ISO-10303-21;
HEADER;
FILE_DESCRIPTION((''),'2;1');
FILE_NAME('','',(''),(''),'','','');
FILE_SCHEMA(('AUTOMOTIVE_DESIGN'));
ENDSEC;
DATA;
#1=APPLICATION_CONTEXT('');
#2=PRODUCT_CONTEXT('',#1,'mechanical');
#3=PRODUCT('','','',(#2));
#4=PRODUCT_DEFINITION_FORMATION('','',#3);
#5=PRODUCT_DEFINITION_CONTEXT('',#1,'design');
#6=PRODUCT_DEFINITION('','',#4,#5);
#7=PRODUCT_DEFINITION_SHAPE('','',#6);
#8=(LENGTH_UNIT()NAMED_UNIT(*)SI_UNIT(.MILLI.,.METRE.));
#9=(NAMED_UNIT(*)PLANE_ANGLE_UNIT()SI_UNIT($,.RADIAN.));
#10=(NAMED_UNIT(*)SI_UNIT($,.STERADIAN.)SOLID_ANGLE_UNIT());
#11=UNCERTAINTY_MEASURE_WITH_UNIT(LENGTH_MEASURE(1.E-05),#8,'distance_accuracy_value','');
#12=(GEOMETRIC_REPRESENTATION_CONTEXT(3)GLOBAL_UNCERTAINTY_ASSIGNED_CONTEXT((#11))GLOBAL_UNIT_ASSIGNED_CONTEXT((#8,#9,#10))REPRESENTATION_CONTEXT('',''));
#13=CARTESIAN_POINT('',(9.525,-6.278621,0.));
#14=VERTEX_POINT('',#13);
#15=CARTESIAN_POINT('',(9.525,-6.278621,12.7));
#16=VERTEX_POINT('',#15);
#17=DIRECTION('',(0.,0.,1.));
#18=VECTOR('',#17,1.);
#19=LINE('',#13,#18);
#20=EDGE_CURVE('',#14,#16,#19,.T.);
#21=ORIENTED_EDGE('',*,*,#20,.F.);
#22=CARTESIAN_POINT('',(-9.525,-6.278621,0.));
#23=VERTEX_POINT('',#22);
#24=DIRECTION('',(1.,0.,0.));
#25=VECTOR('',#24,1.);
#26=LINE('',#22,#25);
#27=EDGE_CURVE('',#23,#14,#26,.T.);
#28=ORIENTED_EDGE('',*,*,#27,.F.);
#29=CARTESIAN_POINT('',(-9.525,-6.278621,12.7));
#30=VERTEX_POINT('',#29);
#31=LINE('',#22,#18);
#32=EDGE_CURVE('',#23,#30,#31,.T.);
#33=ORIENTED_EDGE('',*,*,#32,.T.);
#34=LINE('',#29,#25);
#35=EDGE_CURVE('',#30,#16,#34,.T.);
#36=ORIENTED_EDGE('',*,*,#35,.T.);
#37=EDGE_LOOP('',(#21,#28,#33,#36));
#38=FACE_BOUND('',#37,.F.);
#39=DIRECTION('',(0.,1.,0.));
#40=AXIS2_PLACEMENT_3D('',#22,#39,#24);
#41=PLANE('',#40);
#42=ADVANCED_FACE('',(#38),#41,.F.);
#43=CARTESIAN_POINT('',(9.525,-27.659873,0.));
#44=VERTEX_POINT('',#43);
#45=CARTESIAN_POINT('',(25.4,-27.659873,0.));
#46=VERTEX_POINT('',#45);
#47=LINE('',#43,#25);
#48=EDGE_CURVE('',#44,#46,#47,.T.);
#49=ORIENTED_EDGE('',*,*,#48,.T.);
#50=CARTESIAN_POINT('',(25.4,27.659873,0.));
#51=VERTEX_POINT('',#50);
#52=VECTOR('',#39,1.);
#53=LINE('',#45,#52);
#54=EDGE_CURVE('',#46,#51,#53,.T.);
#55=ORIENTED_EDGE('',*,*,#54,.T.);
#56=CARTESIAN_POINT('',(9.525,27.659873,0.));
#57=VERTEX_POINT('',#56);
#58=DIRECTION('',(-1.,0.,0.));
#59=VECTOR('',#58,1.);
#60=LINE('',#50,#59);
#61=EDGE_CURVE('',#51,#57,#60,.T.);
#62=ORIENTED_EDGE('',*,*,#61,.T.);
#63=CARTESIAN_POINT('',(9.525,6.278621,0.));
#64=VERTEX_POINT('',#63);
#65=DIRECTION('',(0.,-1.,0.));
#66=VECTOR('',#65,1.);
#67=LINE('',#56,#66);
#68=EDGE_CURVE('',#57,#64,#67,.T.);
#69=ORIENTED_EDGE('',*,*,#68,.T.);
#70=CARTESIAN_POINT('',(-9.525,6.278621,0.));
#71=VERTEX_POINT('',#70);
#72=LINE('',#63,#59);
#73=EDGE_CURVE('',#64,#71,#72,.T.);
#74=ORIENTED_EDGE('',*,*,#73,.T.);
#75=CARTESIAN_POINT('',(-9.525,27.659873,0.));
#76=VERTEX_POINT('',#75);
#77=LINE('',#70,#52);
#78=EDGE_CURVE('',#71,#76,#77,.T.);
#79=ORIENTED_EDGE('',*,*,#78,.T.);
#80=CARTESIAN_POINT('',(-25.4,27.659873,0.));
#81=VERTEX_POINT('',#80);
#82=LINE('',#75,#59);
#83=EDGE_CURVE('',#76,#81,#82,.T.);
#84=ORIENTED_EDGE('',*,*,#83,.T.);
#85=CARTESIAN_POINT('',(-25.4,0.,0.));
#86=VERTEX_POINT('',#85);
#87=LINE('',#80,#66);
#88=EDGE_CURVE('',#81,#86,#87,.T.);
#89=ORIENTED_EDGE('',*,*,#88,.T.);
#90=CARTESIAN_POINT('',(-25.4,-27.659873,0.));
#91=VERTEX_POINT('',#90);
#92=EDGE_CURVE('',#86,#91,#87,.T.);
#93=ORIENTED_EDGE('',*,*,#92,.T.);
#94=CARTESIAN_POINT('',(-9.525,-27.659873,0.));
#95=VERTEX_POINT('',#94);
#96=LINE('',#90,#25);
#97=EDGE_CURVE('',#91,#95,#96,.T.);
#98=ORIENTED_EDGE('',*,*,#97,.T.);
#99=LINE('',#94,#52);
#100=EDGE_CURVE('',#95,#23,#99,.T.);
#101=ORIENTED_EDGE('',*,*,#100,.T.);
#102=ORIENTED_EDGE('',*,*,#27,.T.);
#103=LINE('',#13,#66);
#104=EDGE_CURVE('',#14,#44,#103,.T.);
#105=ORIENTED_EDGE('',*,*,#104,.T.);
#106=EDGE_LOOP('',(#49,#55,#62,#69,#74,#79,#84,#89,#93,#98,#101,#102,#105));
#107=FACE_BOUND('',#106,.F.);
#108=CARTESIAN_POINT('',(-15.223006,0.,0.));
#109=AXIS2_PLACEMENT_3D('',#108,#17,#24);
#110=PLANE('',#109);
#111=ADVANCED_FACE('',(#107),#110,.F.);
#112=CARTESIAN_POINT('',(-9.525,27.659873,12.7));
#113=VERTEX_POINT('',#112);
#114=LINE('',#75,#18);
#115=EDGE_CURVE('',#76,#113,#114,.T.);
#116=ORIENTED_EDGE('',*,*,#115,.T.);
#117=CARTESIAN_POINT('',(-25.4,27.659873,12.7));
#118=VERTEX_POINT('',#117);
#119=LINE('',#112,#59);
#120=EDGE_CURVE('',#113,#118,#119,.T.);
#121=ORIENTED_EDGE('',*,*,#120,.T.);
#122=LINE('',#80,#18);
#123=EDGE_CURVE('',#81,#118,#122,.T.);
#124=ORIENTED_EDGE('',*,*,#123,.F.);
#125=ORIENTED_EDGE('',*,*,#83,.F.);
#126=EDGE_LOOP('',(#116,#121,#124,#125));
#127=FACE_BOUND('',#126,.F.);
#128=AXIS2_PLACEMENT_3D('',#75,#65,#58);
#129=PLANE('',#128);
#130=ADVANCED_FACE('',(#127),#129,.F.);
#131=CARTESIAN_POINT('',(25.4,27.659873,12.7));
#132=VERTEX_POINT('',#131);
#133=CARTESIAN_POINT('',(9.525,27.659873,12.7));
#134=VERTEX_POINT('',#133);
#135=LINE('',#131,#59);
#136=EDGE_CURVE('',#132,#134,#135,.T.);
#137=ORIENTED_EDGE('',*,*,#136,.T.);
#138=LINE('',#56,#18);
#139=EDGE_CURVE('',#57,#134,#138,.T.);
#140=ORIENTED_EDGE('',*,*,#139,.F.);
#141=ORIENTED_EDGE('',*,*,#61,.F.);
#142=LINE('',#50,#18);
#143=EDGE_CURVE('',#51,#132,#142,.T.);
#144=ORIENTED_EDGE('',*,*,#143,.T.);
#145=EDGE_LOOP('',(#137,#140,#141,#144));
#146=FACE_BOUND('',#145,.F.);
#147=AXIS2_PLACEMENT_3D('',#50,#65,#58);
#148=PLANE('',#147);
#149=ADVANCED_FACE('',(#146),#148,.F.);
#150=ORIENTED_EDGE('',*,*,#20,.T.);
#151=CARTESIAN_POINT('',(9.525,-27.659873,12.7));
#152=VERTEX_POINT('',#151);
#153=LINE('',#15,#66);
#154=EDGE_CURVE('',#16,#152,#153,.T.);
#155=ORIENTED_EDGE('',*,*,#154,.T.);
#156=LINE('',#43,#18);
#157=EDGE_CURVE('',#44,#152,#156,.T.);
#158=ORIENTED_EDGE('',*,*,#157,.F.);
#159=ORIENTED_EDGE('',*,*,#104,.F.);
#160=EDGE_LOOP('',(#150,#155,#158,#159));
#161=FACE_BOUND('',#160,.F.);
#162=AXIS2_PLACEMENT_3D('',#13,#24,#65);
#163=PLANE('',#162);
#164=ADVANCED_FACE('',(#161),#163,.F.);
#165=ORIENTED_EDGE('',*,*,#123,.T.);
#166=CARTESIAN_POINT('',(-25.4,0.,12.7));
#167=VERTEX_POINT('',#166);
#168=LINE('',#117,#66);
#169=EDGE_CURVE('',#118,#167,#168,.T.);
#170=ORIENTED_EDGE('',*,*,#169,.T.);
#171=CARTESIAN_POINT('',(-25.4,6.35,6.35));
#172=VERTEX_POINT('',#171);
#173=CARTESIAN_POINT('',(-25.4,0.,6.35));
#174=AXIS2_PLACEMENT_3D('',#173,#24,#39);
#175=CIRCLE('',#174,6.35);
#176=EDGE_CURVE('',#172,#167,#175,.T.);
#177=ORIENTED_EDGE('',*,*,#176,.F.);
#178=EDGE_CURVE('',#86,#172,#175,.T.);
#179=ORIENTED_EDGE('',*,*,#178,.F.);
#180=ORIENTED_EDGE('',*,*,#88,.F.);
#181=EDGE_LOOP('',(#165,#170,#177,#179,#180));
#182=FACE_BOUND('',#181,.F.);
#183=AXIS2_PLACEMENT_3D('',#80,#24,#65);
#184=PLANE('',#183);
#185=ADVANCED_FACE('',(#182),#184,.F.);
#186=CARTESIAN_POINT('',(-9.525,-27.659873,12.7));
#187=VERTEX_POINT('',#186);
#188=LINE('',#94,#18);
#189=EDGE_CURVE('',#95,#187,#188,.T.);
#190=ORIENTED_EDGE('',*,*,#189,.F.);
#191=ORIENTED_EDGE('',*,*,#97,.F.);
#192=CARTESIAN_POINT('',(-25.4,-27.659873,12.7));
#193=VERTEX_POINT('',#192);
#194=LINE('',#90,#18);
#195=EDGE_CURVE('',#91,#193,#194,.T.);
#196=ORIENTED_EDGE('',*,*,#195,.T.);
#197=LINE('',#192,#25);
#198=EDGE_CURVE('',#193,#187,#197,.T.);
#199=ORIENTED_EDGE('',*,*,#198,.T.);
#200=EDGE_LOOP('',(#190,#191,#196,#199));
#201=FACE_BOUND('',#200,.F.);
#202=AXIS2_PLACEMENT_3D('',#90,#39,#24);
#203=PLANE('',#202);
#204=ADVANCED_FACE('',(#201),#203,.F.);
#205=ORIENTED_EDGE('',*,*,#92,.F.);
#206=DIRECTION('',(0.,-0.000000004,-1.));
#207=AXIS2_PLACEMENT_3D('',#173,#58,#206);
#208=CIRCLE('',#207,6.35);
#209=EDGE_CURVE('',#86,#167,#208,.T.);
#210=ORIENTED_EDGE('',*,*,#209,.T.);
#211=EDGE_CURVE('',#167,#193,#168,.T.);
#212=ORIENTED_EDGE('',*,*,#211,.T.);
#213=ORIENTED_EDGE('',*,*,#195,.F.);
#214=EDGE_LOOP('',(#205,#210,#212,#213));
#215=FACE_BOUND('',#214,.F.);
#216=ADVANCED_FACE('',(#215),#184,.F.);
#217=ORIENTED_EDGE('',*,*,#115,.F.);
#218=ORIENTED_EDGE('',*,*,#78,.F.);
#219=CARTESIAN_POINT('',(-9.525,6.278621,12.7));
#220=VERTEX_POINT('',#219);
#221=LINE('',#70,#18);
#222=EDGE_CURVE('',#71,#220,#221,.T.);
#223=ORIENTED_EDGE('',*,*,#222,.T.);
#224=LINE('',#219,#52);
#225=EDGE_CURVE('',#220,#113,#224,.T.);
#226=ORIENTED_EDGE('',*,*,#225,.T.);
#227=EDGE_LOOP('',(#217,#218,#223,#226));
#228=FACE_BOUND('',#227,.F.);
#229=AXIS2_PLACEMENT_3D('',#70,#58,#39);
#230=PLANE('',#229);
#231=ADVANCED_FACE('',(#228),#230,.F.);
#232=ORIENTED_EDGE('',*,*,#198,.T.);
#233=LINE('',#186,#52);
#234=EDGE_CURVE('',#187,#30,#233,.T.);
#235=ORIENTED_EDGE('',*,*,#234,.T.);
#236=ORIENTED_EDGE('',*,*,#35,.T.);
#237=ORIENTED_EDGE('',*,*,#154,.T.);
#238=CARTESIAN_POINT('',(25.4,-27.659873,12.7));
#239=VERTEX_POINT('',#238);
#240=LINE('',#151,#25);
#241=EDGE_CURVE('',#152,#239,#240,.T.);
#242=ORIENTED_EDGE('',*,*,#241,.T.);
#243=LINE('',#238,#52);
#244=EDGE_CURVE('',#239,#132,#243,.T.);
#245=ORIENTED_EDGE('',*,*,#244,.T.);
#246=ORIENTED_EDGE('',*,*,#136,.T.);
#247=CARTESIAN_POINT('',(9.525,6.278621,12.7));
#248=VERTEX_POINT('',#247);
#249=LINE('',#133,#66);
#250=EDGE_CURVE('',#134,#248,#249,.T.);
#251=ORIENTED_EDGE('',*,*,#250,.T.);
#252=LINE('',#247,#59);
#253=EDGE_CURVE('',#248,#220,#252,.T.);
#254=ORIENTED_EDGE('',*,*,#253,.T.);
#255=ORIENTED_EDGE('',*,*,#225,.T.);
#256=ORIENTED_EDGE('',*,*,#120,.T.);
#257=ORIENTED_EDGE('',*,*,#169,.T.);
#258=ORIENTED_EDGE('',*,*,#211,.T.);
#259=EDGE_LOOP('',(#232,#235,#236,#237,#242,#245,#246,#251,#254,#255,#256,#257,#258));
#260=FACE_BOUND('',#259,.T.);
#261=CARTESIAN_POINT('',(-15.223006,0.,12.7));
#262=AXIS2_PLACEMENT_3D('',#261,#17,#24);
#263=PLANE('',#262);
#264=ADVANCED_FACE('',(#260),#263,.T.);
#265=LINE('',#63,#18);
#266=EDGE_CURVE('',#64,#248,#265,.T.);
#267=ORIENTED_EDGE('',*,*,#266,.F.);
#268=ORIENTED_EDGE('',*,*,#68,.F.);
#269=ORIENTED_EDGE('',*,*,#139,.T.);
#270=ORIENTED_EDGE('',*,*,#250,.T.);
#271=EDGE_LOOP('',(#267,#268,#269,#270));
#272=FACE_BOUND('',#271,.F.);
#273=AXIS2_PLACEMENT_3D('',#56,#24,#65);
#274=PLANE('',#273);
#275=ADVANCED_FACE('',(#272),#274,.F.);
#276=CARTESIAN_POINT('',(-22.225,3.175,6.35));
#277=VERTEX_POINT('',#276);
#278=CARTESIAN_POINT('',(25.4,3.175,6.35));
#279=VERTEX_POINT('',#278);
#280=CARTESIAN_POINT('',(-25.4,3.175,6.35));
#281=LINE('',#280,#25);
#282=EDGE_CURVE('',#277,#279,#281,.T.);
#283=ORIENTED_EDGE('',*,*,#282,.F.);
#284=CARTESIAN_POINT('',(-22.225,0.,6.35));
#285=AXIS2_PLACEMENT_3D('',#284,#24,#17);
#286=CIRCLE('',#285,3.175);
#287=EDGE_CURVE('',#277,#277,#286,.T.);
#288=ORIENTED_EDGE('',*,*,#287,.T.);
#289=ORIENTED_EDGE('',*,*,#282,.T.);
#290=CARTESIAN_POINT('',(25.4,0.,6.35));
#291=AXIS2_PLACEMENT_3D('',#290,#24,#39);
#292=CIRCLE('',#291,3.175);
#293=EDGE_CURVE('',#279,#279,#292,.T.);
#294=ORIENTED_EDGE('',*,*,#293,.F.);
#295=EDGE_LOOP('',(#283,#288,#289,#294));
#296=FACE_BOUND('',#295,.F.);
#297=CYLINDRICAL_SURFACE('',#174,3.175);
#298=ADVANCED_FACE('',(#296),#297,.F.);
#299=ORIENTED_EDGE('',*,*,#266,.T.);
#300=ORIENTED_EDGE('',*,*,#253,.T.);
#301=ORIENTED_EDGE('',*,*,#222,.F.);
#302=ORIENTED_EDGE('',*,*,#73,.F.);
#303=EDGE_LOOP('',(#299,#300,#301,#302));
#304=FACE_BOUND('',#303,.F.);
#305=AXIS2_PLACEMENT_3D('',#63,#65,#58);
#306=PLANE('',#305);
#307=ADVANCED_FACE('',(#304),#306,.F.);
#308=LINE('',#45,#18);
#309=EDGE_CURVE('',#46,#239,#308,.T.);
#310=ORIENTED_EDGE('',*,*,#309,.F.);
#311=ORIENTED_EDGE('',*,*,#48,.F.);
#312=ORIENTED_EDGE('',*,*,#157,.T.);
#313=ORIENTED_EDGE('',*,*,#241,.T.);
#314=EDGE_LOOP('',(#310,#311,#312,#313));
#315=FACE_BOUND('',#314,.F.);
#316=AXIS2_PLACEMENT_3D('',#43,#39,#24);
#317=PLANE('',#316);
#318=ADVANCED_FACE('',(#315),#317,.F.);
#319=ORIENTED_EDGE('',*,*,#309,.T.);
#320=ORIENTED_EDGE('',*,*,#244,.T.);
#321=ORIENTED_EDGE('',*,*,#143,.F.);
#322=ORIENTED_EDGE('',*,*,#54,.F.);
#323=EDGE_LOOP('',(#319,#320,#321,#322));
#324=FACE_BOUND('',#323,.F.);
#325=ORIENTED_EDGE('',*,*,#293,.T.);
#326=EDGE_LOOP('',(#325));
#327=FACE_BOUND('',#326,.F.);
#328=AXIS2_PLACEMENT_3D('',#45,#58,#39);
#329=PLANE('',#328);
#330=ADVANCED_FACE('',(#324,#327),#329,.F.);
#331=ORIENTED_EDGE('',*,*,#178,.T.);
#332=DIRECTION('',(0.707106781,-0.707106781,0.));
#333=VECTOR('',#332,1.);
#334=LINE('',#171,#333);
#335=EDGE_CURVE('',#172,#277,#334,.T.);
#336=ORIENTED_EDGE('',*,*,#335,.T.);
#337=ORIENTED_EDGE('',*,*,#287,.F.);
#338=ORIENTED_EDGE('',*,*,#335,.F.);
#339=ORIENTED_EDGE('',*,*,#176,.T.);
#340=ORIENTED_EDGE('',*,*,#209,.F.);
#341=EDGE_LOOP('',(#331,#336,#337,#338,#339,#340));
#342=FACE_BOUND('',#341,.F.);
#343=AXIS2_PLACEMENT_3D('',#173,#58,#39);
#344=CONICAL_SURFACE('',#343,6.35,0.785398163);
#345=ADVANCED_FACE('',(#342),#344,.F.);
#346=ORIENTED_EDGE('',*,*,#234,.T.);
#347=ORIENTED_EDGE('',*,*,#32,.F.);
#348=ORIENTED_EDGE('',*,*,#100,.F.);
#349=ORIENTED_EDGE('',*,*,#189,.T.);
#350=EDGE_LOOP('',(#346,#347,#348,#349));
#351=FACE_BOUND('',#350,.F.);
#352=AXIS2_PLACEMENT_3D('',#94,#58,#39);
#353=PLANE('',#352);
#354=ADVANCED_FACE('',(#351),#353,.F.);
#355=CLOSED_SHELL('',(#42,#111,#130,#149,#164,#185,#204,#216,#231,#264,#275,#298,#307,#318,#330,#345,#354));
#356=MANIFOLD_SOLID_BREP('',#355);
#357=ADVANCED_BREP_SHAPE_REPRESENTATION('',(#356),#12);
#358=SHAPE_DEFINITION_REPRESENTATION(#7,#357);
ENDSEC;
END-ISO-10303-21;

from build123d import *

# Parameters (mm, degrees)
F1_DEPTH       = 12.7
F3_D           = 6.35
F3_CSINK_D     = 12.7
F3_CSINK_ANGLE = 90


with BuildPart() as f1:
    # F0 (on Top) → F1 (new body)
    with BuildSketch(Plane.XY):
        Polygon((-9.525, 27.659873), (-25.4, 27.659873), (-25.4, -27.659873), (-9.525, -27.659873), (-9.525, -6.278621), (0, -6.278621), (0, 6.278621), (-9.525, 6.278621), align=None)
        Polygon((25.4, 27.659873), (9.525, 27.659873), (9.525, 6.278621), (0, 6.278621), (0, -6.278621), (9.525, -6.278621), (9.525, -27.659873), (25.4, -27.659873), align=None)
    extrude(amount=F1_DEPTH)

    # F3 (through all)
    with Locations(Plane(origin=(-25.4, 0, 0), x_dir=(0, -1, 0), z_dir=(-1, 0, 0))):
        with Locations((0, 6.35)):
            CounterSinkHole(F3_D / 2, F3_CSINK_D / 2, counter_sink_angle=F3_CSINK_ANGLE)


solid = f1.part
